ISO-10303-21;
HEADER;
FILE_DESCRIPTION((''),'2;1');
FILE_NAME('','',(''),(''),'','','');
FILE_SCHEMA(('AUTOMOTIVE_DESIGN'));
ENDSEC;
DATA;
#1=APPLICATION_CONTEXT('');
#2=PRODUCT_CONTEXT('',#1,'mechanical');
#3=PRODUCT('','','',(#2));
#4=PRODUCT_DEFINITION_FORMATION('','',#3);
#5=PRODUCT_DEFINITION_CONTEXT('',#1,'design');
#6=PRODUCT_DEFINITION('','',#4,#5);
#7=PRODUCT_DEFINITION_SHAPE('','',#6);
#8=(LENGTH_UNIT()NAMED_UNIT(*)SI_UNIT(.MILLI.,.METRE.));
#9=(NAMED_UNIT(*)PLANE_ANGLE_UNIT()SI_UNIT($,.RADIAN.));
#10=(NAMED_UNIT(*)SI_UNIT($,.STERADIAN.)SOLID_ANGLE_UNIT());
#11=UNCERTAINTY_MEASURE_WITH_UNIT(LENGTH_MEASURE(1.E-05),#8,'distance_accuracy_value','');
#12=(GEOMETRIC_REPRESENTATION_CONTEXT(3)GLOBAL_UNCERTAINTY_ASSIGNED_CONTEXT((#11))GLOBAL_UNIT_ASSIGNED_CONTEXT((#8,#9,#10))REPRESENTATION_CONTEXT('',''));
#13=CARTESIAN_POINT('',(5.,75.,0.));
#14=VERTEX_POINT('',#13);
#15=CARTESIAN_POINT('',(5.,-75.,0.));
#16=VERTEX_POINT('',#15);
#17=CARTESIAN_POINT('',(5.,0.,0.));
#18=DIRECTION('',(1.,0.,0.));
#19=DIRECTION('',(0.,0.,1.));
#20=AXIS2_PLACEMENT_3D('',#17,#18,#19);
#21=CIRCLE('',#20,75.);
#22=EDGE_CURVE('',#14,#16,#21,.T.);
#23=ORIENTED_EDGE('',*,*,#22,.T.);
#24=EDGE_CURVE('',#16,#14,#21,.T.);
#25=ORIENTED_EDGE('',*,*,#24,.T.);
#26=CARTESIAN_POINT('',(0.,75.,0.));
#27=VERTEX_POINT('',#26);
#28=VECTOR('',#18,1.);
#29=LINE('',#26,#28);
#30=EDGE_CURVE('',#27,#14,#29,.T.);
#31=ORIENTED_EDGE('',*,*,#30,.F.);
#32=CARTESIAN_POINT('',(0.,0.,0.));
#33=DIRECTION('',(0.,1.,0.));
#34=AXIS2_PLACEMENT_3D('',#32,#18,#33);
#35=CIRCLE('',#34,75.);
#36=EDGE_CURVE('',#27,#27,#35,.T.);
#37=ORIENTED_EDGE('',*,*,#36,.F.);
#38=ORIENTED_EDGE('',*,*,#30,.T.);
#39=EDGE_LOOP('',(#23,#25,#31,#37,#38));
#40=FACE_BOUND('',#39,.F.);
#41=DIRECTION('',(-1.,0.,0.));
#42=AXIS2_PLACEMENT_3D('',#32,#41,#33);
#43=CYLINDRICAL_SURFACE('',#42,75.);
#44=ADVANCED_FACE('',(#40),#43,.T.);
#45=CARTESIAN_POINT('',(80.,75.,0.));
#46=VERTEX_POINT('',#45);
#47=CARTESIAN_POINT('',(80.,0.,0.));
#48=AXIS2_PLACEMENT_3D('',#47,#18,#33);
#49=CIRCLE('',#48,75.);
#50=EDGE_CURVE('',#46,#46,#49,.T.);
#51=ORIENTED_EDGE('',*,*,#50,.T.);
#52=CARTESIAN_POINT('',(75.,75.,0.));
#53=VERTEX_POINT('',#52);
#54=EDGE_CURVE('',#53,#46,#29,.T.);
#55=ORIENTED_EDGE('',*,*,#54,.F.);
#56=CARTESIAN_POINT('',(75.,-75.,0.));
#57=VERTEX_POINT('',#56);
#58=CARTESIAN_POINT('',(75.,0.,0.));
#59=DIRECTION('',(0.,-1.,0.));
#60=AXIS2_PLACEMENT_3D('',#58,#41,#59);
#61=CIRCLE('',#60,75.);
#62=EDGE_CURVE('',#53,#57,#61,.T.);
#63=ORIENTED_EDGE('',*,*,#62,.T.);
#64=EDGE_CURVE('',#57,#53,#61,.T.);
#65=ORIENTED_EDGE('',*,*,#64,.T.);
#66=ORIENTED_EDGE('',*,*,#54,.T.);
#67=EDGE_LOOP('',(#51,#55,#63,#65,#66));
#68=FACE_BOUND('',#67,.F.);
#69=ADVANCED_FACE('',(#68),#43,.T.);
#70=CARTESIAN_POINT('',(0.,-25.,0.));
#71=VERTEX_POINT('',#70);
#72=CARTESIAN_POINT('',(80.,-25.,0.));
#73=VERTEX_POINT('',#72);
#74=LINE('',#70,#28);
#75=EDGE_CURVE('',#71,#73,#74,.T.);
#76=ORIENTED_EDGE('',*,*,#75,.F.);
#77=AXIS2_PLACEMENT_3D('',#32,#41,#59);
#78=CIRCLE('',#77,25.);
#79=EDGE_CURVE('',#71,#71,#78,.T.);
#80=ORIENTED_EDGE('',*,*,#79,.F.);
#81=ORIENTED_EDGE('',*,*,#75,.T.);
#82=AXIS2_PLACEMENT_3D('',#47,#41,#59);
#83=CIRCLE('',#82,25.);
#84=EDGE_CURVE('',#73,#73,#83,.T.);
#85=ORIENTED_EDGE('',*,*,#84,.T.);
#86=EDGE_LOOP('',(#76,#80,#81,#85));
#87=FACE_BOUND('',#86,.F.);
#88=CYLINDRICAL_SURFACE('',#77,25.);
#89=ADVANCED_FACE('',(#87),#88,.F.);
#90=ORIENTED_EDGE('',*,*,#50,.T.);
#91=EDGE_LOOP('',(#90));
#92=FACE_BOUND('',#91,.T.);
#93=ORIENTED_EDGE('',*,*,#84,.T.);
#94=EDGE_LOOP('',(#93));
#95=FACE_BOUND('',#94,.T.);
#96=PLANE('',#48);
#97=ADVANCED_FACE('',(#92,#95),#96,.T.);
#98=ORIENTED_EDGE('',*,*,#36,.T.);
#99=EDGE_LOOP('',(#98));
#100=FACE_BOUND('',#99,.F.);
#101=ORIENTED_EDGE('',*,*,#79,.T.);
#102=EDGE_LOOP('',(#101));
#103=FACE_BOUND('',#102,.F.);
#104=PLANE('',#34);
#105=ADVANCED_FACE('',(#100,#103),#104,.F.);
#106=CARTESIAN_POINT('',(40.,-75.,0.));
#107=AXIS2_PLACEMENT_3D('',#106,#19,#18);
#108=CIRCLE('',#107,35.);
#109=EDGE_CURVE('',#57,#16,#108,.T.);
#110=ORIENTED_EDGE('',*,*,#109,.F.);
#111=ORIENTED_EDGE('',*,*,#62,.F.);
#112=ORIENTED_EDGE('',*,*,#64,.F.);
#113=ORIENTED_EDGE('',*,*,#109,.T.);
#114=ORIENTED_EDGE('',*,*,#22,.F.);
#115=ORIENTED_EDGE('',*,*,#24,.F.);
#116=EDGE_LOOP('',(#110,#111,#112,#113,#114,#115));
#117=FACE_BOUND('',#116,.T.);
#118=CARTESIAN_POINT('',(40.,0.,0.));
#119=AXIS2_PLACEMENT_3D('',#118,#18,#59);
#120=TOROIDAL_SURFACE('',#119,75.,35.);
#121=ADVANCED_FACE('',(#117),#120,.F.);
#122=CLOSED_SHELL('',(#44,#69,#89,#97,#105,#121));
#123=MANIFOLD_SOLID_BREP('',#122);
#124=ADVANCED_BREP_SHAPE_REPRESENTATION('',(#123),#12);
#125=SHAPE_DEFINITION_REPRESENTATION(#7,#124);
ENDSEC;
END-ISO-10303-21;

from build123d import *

# Parameters (mm, degrees)
F0_R     = 75
F1_DEPTH = 80
F2_R     = 25
F3_DEPTH = 100
F4_R     = 35


with BuildPart() as f1:
    # F0 (on Right) → F1 (new body)
    with BuildSketch(Plane.YZ):
        Circle(F0_R)
    extrude(amount=F1_DEPTH)

    # F2 (on face) → F3 (cut)
    with BuildSketch(Plane(origin=(0, 0, 0), x_dir=(0, -1, 0), z_dir=(-1, 0, 0))):
        Circle(F2_R)
    extrude(amount=-F3_DEPTH, mode=Mode.SUBTRACT)

    # F4 (on Top) → F5 (revolve, cut)
    with BuildSketch(Plane.XY):
        with Locations((40, -75)):
            Circle(F4_R)
    revolve(axis=Axis((0, 0, 0), (-1, 0, 0)), mode=Mode.SUBTRACT)


solid = f1.part
